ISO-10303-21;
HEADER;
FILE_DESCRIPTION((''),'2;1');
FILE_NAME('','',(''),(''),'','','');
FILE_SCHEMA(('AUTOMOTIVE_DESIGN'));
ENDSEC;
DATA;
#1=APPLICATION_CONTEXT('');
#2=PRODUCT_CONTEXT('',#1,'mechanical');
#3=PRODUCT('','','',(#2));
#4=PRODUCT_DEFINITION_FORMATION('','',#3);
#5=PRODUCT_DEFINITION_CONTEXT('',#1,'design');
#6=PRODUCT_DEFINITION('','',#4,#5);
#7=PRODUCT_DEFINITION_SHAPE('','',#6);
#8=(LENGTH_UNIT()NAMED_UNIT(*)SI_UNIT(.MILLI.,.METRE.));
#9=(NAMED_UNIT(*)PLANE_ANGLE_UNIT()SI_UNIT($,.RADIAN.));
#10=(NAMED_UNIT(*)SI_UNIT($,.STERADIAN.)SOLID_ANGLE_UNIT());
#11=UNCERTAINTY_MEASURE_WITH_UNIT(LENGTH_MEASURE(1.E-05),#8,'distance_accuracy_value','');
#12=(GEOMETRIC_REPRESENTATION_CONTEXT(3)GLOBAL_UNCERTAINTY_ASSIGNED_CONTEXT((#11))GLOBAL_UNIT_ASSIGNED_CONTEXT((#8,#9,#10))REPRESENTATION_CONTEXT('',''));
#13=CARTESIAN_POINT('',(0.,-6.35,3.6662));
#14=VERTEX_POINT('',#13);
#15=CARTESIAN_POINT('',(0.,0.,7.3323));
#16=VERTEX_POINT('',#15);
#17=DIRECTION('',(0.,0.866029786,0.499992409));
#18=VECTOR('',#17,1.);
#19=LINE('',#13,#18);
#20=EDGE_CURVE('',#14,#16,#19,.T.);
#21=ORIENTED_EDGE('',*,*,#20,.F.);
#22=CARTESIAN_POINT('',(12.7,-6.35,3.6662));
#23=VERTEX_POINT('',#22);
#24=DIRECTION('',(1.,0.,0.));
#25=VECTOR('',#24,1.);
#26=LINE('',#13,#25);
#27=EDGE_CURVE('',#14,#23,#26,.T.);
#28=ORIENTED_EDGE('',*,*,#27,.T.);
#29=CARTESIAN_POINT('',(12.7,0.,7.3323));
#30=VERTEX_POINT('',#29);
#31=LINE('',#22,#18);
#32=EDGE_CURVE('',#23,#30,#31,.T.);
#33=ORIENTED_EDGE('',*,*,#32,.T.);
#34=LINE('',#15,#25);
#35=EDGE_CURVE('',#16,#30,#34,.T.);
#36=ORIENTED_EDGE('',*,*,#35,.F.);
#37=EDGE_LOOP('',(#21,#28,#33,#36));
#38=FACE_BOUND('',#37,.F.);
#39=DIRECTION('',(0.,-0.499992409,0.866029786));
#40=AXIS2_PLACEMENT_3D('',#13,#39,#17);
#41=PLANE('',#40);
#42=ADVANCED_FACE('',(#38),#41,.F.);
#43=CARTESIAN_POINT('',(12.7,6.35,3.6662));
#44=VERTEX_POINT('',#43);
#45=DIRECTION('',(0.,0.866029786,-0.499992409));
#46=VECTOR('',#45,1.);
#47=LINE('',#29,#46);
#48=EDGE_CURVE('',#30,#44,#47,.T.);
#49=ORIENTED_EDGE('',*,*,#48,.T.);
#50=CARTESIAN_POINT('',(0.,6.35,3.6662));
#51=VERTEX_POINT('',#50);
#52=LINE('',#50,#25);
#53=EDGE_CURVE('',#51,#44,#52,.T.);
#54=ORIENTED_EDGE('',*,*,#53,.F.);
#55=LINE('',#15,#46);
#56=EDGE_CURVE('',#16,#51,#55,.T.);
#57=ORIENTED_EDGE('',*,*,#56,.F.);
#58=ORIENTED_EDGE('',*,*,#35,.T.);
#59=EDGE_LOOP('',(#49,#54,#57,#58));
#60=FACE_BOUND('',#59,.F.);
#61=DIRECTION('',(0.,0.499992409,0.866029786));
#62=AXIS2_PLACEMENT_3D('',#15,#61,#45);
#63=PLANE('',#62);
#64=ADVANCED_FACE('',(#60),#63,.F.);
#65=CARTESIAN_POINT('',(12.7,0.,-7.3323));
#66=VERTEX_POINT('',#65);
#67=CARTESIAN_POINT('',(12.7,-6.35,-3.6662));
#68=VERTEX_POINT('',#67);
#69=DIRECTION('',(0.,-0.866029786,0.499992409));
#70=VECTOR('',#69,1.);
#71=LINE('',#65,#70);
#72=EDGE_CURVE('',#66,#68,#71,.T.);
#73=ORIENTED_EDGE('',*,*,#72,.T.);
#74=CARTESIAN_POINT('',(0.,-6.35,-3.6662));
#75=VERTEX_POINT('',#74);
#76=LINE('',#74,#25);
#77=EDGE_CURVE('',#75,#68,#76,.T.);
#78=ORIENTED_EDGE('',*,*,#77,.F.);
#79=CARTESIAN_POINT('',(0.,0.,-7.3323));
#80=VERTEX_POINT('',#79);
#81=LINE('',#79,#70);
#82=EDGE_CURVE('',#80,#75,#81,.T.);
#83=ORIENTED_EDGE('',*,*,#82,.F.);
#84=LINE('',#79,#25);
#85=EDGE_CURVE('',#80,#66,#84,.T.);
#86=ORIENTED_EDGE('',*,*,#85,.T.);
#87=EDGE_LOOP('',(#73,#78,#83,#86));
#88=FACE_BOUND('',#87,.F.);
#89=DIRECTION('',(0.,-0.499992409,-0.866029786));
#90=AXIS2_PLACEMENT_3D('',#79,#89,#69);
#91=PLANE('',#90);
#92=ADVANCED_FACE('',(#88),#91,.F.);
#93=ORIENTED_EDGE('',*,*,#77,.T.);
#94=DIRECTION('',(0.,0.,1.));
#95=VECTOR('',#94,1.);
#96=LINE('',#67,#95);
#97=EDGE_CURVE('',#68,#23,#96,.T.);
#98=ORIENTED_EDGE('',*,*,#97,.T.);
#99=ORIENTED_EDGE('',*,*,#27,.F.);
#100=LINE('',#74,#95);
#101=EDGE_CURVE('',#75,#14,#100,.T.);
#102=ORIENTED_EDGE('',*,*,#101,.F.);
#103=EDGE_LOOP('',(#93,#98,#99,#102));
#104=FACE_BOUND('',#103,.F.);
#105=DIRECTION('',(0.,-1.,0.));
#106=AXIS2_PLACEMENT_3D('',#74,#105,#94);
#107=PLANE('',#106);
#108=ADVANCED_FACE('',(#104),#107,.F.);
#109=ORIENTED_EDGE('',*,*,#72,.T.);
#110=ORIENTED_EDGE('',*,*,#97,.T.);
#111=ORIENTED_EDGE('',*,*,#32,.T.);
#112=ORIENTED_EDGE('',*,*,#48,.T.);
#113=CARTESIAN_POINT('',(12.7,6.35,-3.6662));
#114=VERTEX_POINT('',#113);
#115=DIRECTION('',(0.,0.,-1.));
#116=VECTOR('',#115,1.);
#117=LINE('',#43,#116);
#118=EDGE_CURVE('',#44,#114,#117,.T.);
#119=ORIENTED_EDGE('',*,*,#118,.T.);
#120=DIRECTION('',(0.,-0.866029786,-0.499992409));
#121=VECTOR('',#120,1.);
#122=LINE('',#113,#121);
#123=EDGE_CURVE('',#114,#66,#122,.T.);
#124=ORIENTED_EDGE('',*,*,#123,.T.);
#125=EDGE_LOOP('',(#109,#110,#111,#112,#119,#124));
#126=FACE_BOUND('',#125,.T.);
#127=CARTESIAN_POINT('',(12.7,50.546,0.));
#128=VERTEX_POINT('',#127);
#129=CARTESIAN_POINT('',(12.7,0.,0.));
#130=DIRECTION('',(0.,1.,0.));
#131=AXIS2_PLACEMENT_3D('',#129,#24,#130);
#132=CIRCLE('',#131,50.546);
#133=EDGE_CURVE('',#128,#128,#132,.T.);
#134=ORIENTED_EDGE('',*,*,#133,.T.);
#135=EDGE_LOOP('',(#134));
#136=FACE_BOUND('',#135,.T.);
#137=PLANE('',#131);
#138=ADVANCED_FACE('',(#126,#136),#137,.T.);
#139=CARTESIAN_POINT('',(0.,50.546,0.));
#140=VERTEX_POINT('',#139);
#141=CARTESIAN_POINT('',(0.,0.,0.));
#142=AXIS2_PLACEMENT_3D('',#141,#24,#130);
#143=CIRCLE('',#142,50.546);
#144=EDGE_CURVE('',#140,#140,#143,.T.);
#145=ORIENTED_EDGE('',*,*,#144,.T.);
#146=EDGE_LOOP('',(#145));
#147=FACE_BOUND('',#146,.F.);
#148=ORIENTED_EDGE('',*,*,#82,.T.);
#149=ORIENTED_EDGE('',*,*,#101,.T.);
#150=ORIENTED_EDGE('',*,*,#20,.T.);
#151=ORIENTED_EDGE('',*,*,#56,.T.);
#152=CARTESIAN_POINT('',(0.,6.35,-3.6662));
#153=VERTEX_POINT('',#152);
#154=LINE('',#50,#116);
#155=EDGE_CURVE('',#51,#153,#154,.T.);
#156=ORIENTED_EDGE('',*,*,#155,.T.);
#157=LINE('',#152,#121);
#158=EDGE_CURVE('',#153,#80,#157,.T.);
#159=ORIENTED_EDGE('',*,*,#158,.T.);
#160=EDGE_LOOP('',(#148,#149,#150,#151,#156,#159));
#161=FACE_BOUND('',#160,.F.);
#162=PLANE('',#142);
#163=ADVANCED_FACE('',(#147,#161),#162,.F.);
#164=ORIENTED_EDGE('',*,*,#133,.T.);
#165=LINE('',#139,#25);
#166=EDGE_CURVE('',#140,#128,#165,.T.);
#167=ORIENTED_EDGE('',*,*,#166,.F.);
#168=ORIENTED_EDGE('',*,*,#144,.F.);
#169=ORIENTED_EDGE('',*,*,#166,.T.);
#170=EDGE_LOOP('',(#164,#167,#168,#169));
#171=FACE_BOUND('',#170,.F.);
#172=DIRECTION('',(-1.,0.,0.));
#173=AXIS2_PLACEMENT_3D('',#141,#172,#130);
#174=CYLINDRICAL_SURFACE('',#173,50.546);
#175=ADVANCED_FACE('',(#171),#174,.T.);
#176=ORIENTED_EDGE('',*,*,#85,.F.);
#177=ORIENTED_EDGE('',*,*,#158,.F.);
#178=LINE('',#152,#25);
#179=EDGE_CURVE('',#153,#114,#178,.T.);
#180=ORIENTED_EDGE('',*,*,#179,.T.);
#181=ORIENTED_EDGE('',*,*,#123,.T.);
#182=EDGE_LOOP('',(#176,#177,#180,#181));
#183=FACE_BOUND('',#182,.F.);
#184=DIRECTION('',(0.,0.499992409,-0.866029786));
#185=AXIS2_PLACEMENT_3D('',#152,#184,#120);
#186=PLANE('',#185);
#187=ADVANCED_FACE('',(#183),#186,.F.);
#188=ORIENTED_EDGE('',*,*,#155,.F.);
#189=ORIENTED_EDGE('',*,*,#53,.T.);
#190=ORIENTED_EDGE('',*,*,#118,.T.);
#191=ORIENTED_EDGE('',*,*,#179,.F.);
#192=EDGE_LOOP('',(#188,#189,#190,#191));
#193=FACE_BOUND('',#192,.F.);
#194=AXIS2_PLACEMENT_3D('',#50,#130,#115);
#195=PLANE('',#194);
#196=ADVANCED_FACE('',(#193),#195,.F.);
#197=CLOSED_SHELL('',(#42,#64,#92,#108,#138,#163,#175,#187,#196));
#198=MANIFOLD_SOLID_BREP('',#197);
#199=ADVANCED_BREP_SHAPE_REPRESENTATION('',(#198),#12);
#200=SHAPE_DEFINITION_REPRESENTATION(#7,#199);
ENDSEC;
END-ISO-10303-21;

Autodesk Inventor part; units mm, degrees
ref_plane "YZ Plane" through (0, 0, 0) normal (1, 0, 0) x (0, 1, 0)
ref_plane "XZ Plane" through (0, 0, 0) normal (0, 1, 0) x (-1, 0, 0)
ref_plane "XY Plane" through (0, 0, 0) normal (0, 0, 1) x (1, 0, 0)
sketch "Sketch1" plane through (0, 0, 0) normal (1, 0, 0) x (0, 1, 0)
  circle A0 centre (0, 0) radius 50.546
  line L0 (6.35, -3.6662) -> (0, -7.3323)
  line L1 (0, -7.3323) -> (-6.35, -3.6662)
  line L2 (-6.35, -3.6662) -> (-6.35, 3.6662)
  line L3 (-6.35, 3.6662) -> (0, 7.3323)
  line L4 (0, 7.3323) -> (6.35, 3.6662)
  line L5 (6.35, 3.6662) -> (6.35, -3.6662)
  dimension "d0" = 101.092
  dimension "d1" = 12.7
extrude "Extrusion1" add sketch "Sketch1" along normal blind 12.7
sketch "Sketch2" plane through (12.7, 0, 0) normal (1, 0, 0) x (0, 0, -1)
  circle A0 centre (0, 0) radius 24.7132
  circle A1 centre (0, 0) radius 31.8124
